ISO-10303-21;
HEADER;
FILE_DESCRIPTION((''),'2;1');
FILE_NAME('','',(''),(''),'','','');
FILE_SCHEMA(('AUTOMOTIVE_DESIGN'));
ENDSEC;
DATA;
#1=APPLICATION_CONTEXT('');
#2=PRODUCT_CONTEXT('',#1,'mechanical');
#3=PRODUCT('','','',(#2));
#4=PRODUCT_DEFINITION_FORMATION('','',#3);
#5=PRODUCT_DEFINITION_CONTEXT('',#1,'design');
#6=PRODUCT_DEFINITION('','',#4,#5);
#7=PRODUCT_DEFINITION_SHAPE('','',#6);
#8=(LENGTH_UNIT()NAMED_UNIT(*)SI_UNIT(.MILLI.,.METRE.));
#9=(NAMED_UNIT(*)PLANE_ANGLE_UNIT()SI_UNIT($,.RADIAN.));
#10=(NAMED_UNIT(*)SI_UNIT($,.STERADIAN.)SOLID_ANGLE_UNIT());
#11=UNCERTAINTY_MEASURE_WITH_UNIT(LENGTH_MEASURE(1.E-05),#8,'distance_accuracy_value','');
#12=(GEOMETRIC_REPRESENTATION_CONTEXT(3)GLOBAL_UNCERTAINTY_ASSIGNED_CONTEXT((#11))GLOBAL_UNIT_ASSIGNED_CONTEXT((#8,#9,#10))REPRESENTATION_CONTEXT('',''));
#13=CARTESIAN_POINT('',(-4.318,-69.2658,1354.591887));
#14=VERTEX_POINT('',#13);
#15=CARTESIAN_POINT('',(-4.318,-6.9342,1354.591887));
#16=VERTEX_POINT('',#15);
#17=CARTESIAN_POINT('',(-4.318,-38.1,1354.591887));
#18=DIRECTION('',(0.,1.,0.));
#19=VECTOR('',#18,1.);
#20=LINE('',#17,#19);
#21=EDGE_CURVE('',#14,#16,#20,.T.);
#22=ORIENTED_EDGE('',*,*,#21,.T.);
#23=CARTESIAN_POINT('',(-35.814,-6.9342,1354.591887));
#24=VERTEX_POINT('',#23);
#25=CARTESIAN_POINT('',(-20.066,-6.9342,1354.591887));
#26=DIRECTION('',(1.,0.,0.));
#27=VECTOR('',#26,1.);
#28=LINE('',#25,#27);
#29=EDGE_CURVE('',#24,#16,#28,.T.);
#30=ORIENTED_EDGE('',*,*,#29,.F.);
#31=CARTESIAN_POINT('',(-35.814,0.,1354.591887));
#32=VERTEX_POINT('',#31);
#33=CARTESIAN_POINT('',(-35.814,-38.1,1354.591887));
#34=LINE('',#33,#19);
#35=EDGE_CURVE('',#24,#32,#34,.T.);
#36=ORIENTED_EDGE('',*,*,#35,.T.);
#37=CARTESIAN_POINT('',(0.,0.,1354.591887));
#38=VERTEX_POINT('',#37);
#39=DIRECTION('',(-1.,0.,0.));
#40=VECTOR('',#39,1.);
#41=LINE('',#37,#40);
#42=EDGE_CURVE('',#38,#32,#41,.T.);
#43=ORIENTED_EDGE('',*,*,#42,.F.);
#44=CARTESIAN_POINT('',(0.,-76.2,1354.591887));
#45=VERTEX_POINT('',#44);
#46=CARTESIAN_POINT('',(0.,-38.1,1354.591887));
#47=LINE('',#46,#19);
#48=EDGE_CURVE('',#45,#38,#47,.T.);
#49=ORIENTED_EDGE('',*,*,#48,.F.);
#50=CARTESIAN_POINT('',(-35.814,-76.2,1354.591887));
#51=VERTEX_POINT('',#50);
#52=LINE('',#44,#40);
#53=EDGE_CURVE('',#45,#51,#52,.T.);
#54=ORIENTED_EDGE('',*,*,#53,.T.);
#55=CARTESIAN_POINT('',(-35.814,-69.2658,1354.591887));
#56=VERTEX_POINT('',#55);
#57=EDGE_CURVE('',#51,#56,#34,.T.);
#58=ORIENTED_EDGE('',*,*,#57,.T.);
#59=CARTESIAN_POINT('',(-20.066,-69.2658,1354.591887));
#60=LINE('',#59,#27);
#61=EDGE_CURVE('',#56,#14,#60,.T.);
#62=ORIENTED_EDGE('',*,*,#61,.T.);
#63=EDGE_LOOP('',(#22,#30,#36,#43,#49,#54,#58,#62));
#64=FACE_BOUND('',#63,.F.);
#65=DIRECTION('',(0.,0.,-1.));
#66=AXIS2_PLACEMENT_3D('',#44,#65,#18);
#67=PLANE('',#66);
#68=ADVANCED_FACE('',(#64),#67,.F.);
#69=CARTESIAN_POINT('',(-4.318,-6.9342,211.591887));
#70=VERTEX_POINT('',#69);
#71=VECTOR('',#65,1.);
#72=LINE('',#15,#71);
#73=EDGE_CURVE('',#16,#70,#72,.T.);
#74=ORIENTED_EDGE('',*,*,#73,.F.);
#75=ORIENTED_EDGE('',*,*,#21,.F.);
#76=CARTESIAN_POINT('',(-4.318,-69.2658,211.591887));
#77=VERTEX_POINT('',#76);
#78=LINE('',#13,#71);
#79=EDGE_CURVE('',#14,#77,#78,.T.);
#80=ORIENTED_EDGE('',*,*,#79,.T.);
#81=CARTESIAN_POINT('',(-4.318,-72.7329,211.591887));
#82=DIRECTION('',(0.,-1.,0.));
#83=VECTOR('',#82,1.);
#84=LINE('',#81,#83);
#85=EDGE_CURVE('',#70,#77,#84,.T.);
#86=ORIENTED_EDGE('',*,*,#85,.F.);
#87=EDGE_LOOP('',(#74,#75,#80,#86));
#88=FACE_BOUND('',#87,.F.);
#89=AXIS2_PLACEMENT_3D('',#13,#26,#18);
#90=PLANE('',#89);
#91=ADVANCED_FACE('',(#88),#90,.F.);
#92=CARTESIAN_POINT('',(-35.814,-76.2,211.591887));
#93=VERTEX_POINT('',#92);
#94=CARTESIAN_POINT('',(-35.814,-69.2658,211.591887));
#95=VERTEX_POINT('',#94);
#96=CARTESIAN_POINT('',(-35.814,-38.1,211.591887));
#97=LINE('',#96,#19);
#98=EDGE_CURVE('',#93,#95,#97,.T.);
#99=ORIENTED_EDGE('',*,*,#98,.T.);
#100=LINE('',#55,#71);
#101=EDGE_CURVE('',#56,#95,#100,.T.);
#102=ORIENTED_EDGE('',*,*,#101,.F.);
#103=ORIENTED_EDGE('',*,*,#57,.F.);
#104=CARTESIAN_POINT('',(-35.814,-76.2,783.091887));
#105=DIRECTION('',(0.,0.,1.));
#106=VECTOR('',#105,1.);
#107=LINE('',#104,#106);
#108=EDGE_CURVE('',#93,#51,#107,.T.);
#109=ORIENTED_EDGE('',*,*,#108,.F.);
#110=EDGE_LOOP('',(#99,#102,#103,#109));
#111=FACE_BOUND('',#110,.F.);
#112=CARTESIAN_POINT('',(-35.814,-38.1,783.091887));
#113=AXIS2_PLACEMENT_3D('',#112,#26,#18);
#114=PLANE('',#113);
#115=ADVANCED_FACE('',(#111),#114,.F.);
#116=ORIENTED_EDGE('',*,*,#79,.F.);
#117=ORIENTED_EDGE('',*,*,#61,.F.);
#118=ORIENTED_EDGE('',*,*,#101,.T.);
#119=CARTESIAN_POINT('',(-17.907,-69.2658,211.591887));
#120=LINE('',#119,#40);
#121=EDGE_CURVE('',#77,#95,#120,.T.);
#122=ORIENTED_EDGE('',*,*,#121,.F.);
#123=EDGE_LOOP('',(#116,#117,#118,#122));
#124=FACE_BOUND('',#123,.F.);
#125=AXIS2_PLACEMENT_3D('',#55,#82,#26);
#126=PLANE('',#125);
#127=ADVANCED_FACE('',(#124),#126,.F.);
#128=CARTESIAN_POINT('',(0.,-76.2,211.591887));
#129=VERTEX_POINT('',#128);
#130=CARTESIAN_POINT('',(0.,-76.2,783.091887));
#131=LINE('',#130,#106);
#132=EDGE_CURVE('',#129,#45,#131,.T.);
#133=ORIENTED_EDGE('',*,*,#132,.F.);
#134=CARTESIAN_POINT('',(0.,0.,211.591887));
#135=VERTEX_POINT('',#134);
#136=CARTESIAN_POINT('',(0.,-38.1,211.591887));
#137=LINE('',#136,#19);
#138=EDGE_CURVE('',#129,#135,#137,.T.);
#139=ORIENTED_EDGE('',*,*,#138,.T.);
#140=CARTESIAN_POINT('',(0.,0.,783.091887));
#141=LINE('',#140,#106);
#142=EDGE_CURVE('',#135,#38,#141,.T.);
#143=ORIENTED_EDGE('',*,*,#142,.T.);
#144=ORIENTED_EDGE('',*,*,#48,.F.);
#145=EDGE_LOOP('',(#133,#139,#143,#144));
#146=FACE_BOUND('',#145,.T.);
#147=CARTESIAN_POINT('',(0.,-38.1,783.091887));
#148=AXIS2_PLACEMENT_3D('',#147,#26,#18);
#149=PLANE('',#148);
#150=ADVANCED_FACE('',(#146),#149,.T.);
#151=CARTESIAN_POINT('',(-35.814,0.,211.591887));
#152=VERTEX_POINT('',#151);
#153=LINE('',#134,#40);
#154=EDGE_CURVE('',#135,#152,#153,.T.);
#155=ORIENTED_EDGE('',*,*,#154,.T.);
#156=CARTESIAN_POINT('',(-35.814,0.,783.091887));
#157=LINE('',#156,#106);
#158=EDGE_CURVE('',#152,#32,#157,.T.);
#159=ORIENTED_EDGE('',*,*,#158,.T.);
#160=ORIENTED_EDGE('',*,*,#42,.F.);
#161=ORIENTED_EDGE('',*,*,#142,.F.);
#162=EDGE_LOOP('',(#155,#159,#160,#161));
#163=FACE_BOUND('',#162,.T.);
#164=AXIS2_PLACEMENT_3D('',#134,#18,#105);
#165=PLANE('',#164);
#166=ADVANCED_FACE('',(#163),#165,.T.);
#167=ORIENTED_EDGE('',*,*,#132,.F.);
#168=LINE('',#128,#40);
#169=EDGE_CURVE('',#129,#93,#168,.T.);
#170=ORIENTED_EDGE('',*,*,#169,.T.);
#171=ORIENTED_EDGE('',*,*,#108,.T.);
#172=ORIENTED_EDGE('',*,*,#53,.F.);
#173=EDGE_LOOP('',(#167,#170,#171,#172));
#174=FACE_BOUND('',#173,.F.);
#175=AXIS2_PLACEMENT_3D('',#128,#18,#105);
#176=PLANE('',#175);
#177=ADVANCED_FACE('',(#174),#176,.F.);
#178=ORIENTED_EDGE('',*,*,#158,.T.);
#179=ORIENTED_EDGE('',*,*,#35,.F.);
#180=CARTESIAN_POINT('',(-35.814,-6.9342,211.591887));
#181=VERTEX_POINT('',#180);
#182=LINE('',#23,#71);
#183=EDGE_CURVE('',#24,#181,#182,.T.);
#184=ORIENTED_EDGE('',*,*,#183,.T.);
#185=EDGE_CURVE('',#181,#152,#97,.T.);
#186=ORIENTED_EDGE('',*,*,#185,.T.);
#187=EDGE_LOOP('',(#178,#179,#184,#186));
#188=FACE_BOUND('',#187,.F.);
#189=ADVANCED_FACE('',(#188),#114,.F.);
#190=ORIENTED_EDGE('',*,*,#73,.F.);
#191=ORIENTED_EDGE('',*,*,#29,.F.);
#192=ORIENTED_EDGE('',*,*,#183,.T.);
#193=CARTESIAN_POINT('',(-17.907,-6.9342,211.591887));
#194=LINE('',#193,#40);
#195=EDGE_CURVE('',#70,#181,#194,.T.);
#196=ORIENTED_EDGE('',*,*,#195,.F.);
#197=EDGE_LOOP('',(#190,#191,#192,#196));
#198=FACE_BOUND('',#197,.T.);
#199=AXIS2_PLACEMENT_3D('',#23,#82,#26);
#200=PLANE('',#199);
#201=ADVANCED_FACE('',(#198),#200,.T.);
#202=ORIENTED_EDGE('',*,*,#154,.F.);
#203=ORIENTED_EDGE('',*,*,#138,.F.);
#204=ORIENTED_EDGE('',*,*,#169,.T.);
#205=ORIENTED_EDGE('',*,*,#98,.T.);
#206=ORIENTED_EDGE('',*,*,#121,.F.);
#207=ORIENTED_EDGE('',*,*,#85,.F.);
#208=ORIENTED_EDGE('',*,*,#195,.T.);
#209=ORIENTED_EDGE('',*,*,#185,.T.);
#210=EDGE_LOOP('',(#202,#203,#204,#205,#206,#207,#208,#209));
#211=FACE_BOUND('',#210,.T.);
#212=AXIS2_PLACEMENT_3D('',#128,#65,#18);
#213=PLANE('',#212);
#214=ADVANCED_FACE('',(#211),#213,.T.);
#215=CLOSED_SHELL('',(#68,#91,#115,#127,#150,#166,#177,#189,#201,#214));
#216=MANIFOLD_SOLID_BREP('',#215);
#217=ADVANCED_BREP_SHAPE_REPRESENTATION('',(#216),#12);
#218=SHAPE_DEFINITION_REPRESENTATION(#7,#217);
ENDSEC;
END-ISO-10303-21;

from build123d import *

# Parameters (mm, degrees)
F0_W     = 76.2
F0_H     = 1143
F1_DEPTH = 35.814
F2_W     = 31.496
F2_H     = 62.3316
F3_DEPTH = 1143.001


with BuildPart() as f1:
    # F0 (on Right) → F1 (new body)
    with BuildSketch(Plane.YZ):
        with Locations((-38.1, 783.091887)):
            Rectangle(F0_W, F0_H)
    extrude(amount=-F1_DEPTH)

    # F2 (on face) → F3 (cut, through all)
    with BuildSketch(Plane.XY.offset(1354.591887)):
        with Locations((-20.066, -38.1)):
            Rectangle(F2_W, F2_H)
    extrude(amount=-F3_DEPTH, mode=Mode.SUBTRACT)


solid = f1.part
